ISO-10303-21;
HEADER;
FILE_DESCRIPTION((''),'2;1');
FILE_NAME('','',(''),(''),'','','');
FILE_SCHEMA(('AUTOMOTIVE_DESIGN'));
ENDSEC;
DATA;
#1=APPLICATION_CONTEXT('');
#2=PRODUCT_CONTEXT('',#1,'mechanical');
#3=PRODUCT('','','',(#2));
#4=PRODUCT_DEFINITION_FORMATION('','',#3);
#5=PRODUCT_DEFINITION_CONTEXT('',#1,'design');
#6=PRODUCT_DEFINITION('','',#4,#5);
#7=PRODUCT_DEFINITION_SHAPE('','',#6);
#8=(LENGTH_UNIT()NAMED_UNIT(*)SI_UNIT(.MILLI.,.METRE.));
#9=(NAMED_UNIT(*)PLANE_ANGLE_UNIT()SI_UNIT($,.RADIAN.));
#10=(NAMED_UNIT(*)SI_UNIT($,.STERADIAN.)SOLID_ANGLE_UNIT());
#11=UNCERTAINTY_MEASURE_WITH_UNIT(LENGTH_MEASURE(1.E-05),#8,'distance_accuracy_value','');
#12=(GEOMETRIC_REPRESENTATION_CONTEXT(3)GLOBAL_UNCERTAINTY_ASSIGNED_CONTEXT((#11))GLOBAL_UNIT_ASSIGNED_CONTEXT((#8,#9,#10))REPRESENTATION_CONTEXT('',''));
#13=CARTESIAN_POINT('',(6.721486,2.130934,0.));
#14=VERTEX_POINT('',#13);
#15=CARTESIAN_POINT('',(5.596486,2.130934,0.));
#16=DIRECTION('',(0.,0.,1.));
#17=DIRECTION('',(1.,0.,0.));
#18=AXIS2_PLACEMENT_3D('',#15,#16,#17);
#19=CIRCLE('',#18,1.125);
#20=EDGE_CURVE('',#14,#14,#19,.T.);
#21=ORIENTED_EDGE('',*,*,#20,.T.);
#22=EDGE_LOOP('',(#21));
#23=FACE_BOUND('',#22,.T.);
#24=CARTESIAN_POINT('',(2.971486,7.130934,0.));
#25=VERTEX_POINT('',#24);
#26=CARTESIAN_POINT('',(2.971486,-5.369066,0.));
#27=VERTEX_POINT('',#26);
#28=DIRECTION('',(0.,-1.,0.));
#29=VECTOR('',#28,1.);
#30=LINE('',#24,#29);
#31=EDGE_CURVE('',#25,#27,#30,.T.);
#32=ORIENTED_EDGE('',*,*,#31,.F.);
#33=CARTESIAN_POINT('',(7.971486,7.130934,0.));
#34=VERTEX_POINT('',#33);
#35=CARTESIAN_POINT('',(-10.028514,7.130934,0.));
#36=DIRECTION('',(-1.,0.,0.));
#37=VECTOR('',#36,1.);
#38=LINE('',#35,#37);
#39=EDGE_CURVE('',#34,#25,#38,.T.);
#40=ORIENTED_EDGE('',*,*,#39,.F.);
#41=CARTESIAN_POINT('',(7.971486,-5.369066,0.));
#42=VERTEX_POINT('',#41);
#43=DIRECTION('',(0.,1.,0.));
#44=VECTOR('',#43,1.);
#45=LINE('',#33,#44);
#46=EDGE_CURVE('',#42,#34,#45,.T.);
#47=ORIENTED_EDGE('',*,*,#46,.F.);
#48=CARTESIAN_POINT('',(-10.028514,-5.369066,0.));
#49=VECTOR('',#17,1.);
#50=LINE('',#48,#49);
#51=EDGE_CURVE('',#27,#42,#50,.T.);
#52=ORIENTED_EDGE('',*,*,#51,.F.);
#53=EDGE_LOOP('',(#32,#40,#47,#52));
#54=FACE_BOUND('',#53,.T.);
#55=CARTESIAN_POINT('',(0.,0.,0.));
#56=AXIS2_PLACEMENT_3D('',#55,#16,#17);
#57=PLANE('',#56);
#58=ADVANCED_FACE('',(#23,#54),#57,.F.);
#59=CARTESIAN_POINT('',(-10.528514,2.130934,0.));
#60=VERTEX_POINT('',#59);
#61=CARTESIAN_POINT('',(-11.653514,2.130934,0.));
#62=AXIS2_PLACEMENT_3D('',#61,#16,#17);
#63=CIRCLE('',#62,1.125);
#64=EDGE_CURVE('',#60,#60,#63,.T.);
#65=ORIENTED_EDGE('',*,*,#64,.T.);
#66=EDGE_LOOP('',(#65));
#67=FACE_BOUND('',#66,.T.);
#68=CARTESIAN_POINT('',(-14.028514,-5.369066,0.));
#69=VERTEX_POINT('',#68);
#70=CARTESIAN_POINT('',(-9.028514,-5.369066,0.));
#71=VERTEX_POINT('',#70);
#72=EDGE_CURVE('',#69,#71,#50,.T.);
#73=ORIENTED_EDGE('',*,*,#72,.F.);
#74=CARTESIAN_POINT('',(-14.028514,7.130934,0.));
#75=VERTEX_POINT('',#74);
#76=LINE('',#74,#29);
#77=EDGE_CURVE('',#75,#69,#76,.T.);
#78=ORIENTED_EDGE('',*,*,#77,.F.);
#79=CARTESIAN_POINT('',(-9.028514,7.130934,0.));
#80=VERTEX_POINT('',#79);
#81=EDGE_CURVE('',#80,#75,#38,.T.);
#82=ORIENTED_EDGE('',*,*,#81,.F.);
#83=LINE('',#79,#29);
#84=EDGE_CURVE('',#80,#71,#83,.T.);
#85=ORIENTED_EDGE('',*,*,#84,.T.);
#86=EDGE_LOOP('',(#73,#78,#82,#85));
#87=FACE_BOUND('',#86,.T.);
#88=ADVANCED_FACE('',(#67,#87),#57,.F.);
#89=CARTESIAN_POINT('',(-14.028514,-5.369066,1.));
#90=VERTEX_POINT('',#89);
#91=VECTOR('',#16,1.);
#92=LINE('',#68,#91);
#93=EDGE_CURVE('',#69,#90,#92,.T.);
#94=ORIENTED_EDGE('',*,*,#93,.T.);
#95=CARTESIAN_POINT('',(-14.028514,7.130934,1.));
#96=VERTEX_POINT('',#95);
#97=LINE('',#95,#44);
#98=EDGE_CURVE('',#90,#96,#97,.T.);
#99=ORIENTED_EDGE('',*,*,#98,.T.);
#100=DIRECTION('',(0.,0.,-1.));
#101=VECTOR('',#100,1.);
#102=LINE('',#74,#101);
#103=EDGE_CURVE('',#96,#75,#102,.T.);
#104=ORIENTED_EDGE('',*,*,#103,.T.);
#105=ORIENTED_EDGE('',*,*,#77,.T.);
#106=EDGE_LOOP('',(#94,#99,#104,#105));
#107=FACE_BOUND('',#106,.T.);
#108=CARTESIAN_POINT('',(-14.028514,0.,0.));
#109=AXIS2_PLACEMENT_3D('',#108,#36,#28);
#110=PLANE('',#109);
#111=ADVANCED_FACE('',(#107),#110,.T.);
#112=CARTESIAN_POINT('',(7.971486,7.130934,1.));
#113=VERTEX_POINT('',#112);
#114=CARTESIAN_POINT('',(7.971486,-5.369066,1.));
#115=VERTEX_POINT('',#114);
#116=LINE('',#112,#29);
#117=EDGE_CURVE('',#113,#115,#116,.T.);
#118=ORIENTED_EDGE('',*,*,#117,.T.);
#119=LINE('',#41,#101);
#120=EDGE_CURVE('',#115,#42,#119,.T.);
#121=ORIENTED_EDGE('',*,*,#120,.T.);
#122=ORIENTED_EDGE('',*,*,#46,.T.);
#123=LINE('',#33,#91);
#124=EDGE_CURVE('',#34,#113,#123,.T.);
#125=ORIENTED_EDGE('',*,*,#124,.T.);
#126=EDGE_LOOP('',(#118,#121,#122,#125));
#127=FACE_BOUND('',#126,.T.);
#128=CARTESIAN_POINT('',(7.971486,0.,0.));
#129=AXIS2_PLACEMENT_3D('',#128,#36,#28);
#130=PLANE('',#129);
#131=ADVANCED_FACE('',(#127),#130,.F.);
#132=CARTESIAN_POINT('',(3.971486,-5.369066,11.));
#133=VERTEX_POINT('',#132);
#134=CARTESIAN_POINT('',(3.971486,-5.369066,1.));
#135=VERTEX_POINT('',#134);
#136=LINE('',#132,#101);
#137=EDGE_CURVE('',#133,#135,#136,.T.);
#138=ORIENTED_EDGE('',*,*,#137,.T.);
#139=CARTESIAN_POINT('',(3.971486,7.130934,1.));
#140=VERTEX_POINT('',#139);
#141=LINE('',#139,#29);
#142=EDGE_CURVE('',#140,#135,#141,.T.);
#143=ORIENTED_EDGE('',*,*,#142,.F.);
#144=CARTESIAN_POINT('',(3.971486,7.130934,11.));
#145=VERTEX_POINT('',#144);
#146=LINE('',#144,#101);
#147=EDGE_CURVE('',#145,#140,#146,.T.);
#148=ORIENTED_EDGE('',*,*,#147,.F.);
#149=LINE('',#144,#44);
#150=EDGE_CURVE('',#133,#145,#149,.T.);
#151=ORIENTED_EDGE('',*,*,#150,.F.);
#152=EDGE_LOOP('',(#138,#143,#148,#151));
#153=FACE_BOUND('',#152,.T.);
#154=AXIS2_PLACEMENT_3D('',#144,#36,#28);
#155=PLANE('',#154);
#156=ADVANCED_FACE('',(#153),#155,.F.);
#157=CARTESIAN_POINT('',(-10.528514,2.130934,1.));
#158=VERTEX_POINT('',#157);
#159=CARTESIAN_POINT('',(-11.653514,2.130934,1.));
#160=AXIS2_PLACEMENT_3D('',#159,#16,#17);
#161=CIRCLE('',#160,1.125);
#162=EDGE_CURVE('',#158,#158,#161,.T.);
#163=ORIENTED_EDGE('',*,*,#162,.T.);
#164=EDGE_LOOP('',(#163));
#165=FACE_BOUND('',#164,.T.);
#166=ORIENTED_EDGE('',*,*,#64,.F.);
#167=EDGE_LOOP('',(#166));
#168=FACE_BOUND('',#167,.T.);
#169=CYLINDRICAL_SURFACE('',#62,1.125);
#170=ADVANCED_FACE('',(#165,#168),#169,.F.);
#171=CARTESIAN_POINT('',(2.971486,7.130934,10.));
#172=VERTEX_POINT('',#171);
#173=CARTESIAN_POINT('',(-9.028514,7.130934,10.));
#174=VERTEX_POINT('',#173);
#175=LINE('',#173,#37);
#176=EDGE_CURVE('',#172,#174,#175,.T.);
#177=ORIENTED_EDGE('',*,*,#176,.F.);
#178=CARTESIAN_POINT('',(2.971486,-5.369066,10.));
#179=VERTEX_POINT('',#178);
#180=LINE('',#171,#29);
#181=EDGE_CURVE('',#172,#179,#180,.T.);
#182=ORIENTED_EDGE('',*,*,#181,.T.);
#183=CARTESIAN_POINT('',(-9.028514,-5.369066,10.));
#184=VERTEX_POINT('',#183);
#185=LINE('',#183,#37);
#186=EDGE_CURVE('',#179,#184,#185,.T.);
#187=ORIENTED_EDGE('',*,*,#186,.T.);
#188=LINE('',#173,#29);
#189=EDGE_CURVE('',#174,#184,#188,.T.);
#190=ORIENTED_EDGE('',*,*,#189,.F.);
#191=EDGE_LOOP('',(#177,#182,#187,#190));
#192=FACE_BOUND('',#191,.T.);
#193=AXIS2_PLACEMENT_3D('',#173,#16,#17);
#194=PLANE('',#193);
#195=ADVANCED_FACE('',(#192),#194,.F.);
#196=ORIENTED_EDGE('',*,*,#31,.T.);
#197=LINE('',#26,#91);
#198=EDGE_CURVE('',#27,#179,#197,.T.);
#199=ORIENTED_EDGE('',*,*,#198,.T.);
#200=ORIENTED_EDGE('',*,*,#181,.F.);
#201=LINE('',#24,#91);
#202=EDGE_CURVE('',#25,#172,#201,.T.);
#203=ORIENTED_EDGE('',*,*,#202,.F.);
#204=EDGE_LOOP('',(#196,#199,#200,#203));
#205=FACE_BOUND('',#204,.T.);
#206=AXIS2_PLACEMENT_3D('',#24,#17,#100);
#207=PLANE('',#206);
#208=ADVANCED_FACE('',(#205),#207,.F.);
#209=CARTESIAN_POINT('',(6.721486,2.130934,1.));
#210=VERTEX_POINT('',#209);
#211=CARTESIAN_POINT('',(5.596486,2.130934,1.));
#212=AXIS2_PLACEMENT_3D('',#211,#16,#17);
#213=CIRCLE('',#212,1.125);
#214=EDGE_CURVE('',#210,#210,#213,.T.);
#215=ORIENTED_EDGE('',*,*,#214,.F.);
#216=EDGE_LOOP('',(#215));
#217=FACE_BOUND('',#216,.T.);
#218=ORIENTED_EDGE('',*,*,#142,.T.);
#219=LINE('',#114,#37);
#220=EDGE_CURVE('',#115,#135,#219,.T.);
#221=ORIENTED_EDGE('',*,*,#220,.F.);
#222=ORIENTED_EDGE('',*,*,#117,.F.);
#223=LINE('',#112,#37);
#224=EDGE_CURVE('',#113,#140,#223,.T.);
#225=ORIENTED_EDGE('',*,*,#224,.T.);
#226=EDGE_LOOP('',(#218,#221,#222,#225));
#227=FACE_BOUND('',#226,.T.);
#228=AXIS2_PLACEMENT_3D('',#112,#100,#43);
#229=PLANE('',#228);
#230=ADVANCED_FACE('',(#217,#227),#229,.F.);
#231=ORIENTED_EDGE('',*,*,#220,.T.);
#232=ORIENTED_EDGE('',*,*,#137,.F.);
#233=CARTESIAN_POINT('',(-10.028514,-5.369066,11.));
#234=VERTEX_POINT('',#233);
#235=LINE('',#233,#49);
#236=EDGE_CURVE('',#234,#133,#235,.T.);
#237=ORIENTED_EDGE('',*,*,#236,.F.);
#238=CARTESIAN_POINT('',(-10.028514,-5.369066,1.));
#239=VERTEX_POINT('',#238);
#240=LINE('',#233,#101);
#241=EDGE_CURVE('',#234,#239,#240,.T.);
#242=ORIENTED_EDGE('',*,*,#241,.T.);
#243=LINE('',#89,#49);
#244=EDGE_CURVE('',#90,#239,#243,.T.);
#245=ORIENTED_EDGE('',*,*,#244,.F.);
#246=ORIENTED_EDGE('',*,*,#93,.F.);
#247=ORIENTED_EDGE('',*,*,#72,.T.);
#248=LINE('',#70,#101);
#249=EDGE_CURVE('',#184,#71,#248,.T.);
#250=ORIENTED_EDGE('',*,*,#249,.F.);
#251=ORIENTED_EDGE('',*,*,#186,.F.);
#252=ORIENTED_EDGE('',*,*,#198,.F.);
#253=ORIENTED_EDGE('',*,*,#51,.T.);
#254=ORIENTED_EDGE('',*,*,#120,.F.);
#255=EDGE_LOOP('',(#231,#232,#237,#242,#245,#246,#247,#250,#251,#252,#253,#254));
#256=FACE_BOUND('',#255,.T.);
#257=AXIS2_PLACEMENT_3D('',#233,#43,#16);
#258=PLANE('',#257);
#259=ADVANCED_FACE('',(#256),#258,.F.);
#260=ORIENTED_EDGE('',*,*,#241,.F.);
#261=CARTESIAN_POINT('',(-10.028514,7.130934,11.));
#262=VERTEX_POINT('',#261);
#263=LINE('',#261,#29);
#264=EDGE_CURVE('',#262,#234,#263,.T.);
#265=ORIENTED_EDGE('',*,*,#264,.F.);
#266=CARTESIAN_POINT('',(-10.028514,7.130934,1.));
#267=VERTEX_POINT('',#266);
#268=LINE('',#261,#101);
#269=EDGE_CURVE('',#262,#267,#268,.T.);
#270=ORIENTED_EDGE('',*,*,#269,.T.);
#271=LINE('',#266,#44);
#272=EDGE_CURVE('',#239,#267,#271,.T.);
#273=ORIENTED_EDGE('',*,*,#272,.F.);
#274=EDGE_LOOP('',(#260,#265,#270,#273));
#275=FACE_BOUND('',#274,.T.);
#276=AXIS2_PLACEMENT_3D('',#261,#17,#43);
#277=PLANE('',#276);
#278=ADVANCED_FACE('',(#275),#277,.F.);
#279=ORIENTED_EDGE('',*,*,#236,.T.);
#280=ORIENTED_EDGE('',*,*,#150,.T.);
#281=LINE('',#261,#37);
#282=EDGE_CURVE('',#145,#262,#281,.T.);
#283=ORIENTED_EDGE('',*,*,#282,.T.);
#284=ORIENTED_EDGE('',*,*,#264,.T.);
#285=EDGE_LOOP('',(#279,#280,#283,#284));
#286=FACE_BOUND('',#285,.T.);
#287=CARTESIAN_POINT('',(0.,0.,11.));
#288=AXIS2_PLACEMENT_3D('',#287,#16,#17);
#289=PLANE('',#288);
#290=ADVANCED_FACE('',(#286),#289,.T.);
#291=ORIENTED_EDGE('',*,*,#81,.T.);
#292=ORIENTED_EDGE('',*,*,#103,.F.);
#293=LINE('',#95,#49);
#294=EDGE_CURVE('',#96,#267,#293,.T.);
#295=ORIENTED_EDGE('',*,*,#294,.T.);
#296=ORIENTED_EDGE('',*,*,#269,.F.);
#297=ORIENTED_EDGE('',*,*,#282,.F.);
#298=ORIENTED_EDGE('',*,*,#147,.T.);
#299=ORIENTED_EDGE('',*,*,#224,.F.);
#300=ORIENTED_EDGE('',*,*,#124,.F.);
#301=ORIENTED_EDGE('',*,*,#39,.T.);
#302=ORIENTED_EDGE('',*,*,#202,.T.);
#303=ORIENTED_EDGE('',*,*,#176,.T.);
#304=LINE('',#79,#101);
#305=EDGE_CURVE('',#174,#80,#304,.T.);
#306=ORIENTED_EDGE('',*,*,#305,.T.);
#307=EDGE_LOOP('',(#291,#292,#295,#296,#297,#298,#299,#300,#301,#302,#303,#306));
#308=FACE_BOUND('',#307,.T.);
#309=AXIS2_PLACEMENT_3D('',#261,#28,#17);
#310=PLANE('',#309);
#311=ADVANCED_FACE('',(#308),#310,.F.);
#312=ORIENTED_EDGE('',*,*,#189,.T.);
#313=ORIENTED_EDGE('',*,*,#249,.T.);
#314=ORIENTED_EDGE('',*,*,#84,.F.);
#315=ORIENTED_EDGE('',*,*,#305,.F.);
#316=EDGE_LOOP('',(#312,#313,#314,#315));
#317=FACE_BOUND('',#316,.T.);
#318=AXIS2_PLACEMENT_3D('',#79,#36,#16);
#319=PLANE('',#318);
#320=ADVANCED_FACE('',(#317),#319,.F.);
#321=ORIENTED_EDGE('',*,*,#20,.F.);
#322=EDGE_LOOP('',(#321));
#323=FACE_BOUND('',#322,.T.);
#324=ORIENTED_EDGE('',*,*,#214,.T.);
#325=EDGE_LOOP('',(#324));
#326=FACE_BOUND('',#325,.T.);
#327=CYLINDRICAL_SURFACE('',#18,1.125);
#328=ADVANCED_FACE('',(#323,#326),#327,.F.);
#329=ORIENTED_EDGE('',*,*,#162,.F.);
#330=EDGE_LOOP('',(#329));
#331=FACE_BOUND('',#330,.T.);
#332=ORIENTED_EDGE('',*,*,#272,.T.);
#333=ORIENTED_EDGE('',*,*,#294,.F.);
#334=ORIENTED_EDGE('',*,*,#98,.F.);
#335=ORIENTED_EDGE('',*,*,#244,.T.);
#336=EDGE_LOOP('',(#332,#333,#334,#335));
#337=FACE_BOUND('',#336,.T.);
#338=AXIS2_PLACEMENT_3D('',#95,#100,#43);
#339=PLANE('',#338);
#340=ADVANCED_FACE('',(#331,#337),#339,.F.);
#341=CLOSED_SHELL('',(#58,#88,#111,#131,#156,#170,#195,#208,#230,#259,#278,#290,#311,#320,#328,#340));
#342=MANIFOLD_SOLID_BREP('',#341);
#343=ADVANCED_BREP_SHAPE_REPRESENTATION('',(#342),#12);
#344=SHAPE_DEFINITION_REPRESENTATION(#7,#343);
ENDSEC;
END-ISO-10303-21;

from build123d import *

# Parameters (mm, degrees)
SKETCH2_W           = 14
SKETCH2_H           = 12.5
BOSS_EXTRUDE1_DEPTH = 11
SKETCH3_W           = 12
SKETCH3_H           = 10
CUT_EXTRUDE1_DEPTH  = 12.5
SKETCH4_W           = 1
SKETCH4_H           = 12.5
BOSS_EXTRUDE2_DEPTH = 4
SKETCH5_W           = 1
SKETCH5_H           = 12.5
BOSS_EXTRUDE3_DEPTH = 4
SKETCH6_R           = 1.125
CUT_EXTRUDE2_DEPTH  = 1


with BuildPart() as part:
    # Sketch2 → Boss-Extrude1 (new body)
    with BuildSketch(Plane.XY):
        with Locations((-3.028513908, 0.880933534)):
            Rectangle(SKETCH2_W, SKETCH2_H)
    extrude(amount=BOSS_EXTRUDE1_DEPTH)

    # Sketch3 → Cut-Extrude1 (cut)
    with BuildSketch(Plane(origin=(0, -5.369066466, 0), x_dir=(-1, 0, 0), z_dir=(0, -1, 0))):
        with Locations((3.028513908, -5)):
            Rectangle(SKETCH3_W, SKETCH3_H)
    extrude(amount=-CUT_EXTRUDE1_DEPTH, mode=Mode.SUBTRACT)

    # Sketch4 → Boss-Extrude2 (add)
    with BuildSketch(Plane(origin=(3.971486092, 0, 0), x_dir=(0, 0, -1), z_dir=(1, 0, 0))):
        with Locations((-0.5, 0.880933534)):
            Rectangle(SKETCH4_W, SKETCH4_H)
    extrude(amount=BOSS_EXTRUDE2_DEPTH)

    # Sketch5 → Boss-Extrude3 (add)
    with BuildSketch(Plane.ZY.offset(10.028513908)):
        with Locations((0.5, 0.880933534)):
            Rectangle(SKETCH5_W, SKETCH5_H)
    extrude(amount=BOSS_EXTRUDE3_DEPTH)

    # Sketch6 → Cut-Extrude2 (cut)
    with BuildSketch(Plane.XY.offset(1)):
        with Locations((-11.653513908, 2.130933534)):
            Circle(SKETCH6_R)
        with Locations((5.596486092, 2.130933534)):
            Circle(SKETCH6_R)
    extrude(amount=-CUT_EXTRUDE2_DEPTH, mode=Mode.SUBTRACT)


solid = part.part
